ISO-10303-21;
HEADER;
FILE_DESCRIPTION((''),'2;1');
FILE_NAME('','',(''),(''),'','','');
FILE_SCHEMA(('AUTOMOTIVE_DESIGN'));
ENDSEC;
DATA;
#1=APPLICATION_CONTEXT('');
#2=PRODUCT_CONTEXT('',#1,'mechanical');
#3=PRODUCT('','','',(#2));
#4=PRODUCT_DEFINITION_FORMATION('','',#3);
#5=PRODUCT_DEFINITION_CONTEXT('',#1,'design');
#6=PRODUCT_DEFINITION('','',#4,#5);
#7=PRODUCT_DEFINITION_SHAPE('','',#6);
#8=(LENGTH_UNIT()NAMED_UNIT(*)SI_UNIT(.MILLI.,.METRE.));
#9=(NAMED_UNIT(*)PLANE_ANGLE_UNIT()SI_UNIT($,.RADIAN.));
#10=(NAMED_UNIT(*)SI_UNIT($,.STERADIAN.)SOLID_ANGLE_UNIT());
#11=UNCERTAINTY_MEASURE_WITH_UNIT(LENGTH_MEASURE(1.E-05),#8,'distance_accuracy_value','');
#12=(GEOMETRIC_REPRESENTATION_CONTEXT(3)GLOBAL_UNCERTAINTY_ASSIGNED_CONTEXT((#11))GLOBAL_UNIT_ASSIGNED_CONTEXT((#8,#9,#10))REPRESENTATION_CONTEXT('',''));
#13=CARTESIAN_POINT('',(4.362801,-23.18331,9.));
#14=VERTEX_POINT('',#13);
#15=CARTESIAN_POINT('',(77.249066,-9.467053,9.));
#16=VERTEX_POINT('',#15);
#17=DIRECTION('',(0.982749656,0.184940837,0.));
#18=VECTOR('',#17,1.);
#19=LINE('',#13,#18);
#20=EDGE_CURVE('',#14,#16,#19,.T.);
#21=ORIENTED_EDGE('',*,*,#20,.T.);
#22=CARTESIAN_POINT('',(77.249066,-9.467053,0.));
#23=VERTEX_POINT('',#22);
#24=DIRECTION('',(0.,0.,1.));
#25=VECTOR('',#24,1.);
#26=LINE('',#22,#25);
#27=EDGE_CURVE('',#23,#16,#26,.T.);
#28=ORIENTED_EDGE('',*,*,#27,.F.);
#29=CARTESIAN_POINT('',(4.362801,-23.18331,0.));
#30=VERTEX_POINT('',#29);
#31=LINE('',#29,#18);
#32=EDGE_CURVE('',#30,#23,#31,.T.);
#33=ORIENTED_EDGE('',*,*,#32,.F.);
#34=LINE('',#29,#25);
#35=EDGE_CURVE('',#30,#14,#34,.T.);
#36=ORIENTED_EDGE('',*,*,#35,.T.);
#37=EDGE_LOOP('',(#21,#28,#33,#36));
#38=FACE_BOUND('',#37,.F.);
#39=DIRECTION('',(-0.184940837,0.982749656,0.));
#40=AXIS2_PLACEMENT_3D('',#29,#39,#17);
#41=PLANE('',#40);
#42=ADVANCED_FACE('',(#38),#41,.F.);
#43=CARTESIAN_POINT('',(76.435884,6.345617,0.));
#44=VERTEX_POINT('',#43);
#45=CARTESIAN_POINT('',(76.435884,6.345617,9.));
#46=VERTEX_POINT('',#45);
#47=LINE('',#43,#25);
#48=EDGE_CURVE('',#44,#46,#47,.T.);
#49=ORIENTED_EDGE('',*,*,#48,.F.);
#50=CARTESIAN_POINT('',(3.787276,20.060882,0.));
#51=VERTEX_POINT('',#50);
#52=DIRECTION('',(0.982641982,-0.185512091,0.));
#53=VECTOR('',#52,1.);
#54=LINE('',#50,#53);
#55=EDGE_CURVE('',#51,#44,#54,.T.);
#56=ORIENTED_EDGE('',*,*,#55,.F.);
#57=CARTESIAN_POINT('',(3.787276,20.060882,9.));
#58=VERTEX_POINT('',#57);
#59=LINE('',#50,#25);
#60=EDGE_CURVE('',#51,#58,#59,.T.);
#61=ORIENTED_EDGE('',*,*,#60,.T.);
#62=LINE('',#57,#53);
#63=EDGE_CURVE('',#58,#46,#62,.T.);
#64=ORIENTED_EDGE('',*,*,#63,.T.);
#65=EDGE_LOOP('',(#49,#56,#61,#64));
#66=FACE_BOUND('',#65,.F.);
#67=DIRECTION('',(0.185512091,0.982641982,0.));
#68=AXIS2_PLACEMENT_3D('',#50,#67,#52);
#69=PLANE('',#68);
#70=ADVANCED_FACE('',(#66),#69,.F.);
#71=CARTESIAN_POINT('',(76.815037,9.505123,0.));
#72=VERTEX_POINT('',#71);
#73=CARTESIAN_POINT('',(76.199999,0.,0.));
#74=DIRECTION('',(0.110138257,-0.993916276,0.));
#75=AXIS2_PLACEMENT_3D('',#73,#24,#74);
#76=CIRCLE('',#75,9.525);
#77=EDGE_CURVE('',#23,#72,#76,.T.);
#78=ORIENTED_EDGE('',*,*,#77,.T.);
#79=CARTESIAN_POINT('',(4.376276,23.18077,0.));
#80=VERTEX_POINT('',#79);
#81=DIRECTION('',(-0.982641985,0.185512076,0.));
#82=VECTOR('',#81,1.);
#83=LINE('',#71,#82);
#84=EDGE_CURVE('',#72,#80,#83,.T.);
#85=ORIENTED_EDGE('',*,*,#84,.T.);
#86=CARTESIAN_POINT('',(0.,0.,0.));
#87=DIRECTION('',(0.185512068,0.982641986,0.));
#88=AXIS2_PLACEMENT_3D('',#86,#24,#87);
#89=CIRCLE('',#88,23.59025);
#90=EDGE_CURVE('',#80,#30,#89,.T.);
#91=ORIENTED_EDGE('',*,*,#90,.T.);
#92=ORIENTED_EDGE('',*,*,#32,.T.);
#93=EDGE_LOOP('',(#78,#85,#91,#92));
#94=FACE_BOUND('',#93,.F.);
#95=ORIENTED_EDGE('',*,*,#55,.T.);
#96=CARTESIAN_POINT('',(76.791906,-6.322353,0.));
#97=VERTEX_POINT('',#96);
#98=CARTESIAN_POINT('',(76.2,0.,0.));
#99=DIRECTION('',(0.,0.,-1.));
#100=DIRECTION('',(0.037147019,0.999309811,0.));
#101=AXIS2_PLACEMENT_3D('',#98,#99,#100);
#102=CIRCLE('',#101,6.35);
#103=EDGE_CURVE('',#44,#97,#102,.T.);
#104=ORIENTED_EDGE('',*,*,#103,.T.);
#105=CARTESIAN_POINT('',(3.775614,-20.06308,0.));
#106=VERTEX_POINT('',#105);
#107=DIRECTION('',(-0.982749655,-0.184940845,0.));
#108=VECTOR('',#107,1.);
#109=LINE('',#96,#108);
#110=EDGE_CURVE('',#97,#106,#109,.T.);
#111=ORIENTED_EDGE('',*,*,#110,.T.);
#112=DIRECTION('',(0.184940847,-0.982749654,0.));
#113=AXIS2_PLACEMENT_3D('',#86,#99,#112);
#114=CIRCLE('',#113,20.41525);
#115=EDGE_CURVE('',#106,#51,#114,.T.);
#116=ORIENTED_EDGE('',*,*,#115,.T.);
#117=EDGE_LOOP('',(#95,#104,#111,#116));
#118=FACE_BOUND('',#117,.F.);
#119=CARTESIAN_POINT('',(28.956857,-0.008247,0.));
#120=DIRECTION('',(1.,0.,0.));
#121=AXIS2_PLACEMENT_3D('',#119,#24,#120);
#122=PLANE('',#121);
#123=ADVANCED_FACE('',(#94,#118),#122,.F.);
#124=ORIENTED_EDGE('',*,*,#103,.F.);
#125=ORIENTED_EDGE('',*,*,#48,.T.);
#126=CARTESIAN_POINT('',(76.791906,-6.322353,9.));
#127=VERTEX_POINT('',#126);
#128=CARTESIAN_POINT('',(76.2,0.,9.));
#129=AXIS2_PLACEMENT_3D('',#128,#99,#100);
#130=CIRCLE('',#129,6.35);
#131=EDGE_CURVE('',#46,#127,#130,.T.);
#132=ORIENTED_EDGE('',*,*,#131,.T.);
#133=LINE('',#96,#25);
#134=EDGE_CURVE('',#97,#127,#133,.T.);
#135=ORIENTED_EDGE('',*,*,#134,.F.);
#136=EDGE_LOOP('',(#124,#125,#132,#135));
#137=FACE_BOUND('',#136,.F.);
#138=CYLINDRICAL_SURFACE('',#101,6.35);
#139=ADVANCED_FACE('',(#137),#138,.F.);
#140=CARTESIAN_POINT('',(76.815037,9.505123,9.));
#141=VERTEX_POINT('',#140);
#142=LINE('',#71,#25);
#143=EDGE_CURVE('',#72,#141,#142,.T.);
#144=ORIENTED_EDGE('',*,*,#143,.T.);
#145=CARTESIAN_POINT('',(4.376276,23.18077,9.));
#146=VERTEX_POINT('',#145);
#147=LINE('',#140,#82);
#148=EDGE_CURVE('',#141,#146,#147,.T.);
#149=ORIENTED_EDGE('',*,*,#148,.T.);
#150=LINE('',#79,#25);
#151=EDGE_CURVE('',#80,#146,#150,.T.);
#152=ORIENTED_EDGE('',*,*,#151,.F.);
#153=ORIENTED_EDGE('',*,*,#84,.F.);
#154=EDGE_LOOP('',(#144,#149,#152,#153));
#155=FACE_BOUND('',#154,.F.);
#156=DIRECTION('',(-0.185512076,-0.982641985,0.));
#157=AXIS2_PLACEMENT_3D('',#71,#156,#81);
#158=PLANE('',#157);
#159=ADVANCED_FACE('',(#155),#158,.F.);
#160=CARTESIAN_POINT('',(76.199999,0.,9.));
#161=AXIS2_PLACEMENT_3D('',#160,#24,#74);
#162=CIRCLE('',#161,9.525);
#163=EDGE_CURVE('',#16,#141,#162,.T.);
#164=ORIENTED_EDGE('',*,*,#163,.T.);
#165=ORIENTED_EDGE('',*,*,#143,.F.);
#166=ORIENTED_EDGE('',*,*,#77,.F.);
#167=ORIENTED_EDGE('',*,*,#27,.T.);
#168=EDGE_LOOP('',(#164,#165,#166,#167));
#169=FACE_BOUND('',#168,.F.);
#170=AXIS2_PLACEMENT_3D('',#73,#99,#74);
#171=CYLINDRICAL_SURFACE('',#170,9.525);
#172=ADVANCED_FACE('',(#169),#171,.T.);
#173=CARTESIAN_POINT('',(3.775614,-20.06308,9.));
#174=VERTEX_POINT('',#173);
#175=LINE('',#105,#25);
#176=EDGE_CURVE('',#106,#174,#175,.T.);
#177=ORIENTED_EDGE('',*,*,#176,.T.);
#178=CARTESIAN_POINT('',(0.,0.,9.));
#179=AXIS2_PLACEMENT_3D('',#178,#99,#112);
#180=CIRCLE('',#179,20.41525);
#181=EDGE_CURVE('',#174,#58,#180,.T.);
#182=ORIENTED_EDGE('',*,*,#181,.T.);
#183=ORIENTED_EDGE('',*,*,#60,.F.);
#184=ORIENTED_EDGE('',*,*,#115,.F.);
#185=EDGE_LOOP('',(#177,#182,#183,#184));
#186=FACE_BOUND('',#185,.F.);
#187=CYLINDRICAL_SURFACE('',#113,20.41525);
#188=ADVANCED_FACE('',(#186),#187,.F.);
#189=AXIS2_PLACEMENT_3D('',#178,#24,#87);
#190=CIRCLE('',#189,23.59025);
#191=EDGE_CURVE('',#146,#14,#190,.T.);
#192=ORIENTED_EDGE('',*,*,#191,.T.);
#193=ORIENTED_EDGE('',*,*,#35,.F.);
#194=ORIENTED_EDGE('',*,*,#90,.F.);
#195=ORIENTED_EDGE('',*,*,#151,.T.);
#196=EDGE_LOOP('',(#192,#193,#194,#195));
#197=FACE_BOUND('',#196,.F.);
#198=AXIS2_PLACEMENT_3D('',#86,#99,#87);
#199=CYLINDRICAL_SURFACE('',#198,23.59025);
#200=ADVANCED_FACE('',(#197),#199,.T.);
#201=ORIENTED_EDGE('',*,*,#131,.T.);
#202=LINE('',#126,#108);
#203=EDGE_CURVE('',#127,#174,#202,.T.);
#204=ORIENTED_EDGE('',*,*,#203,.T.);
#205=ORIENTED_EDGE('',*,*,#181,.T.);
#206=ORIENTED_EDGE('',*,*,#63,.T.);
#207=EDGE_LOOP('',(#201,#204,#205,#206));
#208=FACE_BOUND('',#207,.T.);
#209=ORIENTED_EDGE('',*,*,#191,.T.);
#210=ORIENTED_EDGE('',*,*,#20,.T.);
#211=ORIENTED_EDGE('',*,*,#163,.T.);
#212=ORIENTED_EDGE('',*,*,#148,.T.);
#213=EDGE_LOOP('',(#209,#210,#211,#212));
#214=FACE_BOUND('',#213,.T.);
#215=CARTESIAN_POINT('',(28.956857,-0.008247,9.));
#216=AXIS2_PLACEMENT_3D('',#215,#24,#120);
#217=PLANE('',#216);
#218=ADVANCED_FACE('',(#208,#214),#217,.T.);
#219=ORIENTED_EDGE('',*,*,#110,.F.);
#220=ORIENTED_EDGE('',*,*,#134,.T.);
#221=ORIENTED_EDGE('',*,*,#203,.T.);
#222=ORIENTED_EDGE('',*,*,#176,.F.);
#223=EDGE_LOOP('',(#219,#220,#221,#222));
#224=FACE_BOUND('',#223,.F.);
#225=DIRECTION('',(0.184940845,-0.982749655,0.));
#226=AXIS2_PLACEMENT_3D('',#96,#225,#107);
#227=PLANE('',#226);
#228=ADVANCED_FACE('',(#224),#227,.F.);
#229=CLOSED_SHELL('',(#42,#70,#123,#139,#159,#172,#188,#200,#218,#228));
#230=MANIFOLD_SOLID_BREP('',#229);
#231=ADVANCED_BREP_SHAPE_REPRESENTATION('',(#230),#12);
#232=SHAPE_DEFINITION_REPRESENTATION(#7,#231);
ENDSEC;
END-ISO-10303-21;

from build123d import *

# Parameters (mm, degrees)
F1_DEPTH = 9


with BuildPart() as f1:
    # F0 (on Top) → F1 (new body)
    with BuildSketch(Plane.XY):
        with BuildLine():
            ThreePointArc((77.249066, -9.467053), (85.722508, 0.217848), (76.815037, 9.505123))
            Line((76.815037, 9.505123), (4.376276, 23.18077))
            ThreePointArc((4.376276, 23.18077), (-23.590249, 0.006857), (4.362801, -23.18331))
            Line((4.362801, -23.18331), (77.249066, -9.467053))
        make_face()
        with BuildLine():
            ThreePointArc((3.775614, -20.06308), (-20.415249, 0.005934), (3.787276, 20.060882))
            Line((3.787276, 20.060882), (76.435884, 6.345617))
            ThreePointArc((76.435884, 6.345617), (82.547494, 0.178391), (76.791906, -6.322353))
            Line((76.791906, -6.322353), (3.775614, -20.06308))
        make_face(mode=Mode.SUBTRACT)
    extrude(amount=F1_DEPTH)


solid = f1.part
